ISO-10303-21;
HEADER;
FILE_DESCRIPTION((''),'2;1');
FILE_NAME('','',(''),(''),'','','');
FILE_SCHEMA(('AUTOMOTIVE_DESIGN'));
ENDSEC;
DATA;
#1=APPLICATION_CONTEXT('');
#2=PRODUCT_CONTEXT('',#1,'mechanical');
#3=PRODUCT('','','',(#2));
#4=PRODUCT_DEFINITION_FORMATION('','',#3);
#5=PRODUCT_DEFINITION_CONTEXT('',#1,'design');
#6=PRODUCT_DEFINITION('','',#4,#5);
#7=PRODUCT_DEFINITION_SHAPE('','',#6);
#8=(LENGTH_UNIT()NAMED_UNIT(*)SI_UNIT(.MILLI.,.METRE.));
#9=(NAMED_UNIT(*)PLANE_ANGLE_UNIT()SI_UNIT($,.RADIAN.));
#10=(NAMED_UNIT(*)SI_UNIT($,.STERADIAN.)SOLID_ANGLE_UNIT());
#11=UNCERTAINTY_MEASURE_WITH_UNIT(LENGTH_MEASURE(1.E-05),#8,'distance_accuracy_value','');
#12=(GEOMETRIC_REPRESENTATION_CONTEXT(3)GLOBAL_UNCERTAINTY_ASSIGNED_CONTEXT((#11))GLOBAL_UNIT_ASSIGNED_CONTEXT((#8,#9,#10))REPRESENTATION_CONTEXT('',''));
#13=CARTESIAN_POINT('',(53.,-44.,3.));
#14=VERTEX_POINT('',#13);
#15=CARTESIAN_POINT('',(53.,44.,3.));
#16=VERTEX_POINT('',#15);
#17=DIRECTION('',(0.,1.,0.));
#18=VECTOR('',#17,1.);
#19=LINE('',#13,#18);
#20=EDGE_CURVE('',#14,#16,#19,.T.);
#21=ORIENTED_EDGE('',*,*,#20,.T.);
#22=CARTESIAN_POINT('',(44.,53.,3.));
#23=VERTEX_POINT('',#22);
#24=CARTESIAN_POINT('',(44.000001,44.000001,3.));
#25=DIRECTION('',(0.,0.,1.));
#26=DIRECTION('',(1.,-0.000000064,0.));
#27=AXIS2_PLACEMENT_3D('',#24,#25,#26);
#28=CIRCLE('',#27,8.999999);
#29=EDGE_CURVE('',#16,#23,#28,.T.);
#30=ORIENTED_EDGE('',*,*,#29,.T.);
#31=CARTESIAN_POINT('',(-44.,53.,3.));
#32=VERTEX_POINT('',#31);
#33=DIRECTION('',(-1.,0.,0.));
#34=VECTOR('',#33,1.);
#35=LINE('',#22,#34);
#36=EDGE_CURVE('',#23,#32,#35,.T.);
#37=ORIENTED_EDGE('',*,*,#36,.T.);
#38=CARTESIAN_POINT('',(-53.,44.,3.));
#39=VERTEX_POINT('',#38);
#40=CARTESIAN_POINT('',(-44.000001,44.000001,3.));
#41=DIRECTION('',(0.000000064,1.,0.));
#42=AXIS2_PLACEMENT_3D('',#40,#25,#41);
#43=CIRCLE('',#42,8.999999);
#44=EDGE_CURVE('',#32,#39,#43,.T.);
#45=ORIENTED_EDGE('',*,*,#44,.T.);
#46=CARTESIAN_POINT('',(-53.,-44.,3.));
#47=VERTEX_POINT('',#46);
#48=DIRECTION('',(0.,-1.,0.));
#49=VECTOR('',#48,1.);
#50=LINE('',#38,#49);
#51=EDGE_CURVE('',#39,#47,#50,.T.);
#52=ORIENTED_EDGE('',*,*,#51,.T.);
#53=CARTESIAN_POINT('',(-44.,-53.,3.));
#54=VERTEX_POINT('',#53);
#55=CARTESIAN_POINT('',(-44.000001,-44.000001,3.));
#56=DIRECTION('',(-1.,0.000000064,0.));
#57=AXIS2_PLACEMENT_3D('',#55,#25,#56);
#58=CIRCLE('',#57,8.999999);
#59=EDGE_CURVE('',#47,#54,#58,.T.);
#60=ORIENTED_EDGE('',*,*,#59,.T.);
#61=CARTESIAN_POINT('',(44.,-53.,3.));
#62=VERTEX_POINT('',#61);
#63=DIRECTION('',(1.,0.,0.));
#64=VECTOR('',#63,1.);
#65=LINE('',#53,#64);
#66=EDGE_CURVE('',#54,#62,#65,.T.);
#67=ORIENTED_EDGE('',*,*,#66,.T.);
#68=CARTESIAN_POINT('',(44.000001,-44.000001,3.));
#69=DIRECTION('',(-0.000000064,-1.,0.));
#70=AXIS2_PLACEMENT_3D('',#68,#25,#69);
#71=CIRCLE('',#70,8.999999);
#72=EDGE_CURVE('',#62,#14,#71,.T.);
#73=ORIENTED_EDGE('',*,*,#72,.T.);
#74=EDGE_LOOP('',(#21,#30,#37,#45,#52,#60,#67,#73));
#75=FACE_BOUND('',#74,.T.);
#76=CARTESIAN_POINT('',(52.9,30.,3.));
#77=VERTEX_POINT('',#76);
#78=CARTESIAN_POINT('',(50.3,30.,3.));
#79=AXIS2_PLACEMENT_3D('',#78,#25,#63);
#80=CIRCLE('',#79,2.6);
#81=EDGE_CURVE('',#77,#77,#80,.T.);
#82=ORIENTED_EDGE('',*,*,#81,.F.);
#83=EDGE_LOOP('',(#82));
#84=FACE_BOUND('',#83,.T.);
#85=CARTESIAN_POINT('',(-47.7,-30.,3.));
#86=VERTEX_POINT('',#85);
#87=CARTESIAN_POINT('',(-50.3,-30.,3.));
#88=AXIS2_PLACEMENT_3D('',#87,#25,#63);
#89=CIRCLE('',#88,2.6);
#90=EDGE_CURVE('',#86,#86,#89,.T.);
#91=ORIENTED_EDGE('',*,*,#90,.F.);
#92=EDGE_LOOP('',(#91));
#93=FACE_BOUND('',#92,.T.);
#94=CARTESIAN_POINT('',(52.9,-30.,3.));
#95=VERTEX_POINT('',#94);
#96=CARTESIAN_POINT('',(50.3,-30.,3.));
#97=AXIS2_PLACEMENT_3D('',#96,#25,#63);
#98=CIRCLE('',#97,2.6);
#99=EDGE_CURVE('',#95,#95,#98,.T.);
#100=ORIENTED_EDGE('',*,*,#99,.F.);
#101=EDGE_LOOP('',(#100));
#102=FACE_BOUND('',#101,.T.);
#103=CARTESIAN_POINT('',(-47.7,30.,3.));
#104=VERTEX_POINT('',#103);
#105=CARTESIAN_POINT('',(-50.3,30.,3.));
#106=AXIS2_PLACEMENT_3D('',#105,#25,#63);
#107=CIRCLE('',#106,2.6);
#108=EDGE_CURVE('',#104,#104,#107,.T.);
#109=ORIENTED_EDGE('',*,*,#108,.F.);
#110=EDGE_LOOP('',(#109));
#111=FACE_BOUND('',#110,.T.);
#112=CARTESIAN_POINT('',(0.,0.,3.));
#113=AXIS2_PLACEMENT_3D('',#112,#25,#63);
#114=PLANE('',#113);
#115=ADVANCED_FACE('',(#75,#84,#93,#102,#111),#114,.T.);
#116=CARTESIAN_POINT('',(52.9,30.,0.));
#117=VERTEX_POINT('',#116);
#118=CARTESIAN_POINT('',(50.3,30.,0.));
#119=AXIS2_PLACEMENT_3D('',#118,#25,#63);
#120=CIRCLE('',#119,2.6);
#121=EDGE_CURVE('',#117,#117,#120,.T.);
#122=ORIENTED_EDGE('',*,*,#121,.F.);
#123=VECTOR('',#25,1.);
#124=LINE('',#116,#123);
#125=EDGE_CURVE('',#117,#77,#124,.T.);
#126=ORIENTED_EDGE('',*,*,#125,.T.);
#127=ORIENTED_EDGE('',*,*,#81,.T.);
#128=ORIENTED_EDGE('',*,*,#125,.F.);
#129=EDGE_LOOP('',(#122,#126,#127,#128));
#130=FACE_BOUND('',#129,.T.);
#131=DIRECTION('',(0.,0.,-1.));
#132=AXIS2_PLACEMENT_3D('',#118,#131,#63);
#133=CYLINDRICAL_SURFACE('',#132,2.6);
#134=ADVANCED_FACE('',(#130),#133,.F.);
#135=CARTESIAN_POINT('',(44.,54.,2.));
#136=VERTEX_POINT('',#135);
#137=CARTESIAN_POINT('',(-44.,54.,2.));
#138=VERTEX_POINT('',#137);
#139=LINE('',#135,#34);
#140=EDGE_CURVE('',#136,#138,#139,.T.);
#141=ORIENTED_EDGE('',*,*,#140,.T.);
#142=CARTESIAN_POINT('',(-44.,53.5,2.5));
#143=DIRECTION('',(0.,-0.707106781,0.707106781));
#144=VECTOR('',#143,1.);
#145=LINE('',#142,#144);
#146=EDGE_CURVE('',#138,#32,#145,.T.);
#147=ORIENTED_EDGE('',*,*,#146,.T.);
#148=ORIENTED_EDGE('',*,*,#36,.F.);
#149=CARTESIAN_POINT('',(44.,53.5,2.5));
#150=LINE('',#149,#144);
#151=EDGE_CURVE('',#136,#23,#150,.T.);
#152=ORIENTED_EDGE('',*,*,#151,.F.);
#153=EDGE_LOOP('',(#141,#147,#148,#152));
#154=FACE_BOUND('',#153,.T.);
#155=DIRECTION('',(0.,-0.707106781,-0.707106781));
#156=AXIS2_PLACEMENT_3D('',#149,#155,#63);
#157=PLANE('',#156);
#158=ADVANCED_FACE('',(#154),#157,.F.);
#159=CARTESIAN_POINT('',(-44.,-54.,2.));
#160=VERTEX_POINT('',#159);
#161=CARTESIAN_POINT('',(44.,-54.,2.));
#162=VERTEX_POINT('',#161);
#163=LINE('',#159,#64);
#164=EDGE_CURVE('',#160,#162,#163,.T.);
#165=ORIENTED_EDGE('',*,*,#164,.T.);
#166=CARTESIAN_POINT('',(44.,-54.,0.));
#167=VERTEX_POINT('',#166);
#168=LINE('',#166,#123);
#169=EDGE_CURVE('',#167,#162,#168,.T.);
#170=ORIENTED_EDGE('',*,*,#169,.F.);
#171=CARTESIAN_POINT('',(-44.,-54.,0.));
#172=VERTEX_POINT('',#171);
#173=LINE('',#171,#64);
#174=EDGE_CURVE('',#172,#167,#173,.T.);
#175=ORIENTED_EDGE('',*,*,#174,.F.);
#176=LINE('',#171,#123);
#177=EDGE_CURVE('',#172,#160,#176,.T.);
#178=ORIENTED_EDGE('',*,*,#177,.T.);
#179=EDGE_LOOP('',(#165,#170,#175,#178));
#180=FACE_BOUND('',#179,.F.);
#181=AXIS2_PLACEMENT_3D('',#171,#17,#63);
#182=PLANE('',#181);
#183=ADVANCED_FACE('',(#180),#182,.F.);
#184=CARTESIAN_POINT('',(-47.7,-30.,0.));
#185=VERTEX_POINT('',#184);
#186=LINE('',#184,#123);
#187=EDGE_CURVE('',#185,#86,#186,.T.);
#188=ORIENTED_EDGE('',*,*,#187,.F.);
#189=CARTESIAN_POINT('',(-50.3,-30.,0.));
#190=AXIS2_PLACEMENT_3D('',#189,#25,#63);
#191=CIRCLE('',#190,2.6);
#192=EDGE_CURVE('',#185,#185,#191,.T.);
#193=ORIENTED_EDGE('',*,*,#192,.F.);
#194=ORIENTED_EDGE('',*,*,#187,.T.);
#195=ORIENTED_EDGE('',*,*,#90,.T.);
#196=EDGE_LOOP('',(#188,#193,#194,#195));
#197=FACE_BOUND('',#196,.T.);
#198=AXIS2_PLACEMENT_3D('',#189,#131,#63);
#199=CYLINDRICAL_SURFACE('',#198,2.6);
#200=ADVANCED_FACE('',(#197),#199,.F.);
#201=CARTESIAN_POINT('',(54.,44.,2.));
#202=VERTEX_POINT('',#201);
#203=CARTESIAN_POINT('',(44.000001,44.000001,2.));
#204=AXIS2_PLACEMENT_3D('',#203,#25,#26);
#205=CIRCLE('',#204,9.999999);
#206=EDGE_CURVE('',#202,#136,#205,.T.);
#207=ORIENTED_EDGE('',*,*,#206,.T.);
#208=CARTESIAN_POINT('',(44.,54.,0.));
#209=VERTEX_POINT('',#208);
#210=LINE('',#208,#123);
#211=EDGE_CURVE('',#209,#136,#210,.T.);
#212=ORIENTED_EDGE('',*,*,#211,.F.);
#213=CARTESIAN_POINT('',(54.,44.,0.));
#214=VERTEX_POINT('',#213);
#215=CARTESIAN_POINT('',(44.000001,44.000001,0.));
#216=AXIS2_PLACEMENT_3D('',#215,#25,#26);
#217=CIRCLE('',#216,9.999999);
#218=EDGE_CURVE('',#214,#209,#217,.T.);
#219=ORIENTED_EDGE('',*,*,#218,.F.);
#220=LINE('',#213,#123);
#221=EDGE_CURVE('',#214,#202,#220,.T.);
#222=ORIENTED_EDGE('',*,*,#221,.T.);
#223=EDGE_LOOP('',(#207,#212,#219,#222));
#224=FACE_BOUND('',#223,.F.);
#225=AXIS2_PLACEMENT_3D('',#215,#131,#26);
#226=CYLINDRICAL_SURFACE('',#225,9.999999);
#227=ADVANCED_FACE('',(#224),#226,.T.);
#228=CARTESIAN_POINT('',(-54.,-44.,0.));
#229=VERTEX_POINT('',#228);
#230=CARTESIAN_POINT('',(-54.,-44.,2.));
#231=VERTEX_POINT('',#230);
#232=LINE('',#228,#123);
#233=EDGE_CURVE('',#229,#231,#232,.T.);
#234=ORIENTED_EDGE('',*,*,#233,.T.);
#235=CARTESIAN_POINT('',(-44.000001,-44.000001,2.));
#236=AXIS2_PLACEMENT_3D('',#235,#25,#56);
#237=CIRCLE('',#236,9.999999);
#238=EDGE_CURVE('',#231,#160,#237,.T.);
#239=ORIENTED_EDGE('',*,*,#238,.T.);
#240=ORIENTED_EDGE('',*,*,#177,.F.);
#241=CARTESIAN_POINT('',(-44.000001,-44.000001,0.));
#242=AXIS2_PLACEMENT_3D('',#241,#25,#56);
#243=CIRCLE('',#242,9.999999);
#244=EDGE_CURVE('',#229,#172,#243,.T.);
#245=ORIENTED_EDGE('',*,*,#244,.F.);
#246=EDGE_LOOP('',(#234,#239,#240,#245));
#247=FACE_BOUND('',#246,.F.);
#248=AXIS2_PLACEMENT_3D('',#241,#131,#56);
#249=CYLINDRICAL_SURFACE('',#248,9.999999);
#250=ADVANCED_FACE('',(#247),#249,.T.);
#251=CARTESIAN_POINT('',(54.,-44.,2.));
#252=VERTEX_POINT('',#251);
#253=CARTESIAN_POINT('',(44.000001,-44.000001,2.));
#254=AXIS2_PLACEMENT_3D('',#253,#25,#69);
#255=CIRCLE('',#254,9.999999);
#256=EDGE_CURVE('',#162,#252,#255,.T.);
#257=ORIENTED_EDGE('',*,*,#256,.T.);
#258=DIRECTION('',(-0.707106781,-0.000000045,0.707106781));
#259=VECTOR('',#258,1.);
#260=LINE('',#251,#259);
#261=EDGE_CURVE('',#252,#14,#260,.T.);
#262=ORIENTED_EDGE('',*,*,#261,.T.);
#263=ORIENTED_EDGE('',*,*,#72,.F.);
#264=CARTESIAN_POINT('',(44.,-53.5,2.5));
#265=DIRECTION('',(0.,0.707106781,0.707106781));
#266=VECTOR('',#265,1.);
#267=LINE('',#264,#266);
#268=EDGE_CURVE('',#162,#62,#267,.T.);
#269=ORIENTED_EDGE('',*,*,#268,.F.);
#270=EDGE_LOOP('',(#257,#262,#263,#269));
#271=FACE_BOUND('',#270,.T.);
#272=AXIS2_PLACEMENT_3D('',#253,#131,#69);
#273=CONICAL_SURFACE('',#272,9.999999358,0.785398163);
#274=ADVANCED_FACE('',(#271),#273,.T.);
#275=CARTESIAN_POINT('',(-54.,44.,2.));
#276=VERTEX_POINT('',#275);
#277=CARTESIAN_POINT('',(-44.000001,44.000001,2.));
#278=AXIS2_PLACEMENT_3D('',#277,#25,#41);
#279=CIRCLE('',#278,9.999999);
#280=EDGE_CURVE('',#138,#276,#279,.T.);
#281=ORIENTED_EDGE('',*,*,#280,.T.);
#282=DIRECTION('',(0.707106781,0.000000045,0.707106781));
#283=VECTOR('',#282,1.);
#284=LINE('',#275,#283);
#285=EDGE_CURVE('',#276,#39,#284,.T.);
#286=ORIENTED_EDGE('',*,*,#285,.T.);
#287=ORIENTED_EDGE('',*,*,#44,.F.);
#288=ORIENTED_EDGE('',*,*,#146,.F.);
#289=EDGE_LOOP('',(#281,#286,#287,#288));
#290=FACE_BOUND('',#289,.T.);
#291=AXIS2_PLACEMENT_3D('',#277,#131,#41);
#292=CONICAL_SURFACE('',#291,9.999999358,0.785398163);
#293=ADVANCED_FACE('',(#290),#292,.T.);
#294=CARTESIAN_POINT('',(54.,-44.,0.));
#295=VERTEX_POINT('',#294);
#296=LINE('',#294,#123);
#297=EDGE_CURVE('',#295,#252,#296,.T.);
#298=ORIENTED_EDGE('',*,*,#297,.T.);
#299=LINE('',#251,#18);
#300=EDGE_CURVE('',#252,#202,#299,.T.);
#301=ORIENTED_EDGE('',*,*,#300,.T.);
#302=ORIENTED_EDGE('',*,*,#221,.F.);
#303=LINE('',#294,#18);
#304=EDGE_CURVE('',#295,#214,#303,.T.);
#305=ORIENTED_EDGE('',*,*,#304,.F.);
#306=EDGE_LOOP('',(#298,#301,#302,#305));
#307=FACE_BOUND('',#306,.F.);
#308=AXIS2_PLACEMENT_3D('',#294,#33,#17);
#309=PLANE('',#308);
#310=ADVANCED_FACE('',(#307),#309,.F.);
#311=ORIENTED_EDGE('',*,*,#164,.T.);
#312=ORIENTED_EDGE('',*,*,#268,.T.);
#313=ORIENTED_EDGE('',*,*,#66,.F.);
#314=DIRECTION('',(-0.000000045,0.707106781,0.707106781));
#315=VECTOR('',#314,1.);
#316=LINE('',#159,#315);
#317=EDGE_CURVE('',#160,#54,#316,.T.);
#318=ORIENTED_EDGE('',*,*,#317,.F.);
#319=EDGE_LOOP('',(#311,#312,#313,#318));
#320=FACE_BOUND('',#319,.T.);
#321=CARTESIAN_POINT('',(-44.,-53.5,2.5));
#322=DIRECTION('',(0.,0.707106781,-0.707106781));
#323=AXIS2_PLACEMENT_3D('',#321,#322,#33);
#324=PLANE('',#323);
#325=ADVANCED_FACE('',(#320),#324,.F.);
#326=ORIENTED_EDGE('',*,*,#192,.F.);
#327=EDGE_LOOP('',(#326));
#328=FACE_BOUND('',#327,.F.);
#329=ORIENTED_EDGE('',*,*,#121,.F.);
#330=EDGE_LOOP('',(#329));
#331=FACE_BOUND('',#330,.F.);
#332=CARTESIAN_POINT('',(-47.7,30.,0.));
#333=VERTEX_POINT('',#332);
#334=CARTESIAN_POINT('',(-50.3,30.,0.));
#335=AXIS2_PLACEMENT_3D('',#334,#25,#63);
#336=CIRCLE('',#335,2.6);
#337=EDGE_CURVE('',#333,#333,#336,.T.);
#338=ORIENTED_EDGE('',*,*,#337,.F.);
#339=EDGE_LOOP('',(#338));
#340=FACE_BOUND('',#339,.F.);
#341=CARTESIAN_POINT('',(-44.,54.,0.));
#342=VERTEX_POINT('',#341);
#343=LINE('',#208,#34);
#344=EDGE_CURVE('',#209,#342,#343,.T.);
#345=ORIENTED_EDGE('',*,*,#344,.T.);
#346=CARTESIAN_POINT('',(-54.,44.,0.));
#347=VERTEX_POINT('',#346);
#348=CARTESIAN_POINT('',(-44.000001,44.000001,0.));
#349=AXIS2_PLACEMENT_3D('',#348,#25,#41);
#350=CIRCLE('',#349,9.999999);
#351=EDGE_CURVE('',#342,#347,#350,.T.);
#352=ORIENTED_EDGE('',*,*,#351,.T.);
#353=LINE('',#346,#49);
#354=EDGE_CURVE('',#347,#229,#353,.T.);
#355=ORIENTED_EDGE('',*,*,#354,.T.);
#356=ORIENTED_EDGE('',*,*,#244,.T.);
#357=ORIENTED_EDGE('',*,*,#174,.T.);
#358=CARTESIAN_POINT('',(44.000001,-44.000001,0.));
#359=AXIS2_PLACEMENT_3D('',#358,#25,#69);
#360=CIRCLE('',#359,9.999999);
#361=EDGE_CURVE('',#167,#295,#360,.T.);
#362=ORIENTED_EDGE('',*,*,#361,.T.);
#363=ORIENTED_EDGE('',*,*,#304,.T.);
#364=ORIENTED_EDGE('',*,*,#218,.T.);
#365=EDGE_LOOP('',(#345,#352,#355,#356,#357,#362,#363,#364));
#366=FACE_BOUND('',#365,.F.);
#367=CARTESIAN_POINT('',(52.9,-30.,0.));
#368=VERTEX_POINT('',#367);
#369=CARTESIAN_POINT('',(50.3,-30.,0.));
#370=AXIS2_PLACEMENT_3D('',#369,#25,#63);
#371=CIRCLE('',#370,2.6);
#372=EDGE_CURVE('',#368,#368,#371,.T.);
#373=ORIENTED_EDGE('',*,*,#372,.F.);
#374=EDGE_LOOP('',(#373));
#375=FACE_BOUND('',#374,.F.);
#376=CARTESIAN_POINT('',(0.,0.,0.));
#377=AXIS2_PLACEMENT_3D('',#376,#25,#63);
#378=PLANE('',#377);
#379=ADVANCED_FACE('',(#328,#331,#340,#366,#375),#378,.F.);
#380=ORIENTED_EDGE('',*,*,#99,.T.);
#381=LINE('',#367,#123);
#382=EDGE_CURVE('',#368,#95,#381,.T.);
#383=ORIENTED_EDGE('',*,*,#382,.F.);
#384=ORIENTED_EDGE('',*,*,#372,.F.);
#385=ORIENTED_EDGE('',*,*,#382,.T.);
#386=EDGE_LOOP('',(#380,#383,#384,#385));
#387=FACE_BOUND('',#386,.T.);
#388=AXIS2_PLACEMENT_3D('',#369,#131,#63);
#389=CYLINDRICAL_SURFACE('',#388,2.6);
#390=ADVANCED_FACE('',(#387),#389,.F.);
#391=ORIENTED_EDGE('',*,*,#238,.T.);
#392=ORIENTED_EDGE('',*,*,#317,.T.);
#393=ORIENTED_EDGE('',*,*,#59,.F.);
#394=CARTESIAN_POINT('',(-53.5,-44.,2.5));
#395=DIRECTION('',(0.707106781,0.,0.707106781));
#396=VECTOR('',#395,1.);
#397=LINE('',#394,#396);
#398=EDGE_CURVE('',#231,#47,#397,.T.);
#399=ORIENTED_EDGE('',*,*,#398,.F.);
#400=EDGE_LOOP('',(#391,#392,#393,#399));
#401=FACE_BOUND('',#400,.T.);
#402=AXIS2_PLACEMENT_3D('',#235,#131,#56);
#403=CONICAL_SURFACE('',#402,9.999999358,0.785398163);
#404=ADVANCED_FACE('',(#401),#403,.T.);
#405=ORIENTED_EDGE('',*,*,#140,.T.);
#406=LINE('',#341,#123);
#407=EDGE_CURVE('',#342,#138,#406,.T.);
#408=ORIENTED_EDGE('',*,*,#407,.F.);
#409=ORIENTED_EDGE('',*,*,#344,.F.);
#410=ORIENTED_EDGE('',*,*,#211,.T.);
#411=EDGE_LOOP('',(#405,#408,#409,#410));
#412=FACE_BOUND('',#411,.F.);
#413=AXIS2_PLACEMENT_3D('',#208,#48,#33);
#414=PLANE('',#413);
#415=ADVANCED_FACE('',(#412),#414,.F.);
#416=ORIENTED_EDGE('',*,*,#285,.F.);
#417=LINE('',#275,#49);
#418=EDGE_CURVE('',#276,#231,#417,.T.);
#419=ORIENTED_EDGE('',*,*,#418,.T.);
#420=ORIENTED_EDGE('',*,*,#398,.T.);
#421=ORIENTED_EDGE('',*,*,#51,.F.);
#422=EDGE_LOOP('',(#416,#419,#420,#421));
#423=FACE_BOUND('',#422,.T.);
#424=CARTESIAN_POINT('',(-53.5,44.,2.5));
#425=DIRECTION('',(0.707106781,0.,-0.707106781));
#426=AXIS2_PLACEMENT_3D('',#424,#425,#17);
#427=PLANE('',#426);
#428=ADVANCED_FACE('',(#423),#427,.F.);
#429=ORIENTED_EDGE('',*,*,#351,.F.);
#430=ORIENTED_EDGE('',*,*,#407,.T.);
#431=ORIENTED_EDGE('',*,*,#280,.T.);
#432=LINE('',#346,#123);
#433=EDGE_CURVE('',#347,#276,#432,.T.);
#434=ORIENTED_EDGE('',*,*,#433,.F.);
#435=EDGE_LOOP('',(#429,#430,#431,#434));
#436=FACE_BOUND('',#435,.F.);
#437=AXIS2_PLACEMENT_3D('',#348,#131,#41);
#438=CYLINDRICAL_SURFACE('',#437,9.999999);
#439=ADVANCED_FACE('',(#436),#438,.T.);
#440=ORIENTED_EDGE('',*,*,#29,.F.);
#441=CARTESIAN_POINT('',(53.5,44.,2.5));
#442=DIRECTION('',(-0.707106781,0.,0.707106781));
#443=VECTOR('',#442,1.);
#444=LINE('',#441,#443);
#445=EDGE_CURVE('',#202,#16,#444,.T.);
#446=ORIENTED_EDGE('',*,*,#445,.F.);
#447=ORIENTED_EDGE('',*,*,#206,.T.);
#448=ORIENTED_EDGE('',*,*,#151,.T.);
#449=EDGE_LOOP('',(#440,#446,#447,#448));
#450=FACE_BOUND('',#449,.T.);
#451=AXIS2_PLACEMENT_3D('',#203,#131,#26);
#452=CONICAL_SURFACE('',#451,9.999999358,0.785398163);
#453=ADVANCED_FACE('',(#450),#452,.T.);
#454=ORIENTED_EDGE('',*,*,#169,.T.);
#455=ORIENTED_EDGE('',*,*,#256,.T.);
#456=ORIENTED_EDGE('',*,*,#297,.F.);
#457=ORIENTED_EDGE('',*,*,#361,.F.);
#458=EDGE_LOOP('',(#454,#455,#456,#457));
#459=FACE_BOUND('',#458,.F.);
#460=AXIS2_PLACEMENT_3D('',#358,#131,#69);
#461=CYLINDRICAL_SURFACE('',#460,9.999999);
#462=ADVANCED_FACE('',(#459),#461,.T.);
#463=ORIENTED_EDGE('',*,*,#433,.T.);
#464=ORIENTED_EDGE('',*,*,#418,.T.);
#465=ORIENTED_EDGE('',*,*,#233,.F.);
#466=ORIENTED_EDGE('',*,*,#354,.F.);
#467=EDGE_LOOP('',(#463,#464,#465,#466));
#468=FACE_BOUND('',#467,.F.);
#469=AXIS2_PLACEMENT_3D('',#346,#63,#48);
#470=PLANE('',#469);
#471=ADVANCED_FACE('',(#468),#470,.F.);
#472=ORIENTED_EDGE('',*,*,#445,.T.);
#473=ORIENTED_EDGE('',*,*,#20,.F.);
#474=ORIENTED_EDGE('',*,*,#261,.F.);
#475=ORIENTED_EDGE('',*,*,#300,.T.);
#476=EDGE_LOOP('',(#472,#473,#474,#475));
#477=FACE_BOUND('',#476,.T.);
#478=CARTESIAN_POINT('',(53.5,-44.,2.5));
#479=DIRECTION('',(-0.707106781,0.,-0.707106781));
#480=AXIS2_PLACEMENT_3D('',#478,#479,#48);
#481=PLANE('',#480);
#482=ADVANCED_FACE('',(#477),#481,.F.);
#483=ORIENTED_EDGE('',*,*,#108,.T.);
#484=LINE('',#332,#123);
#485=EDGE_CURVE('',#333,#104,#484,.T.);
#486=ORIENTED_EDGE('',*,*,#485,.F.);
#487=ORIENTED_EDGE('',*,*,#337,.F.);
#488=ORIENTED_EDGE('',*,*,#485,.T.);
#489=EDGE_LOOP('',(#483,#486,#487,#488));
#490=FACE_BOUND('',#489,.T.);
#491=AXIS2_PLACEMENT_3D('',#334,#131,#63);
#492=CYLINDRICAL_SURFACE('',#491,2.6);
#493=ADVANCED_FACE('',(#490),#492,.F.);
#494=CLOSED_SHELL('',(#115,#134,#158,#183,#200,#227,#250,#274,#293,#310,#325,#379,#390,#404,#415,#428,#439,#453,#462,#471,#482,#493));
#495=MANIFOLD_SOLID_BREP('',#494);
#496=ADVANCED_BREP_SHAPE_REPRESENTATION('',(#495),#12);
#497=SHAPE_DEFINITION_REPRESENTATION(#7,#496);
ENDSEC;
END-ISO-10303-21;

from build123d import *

# Parameters (mm, degrees)
F0_R     = 2.6
F1_DEPTH = 3
F2_SIZE  = 1


with BuildPart() as f1:
    # F0 (on Top) → F1 (new body)
    with BuildSketch(Plane.XY):
        with BuildLine():
            Line((-44, -54), (44, -54))
            ThreePointArc((44, -54), (51.071068, -51.071068), (54, -44))
            Line((54, -44), (54, 44))
            ThreePointArc((54, 44), (51.071068, 51.071068), (44, 54))
            Line((44, 54), (-44, 54))
            ThreePointArc((-44, 54), (-51.071068, 51.071068), (-54, 44))
            Line((-54, 44), (-54, -44))
            ThreePointArc((-54, -44), (-51.071068, -51.071068), (-44, -54))
        make_face()
        with Locations((-50.3, -30)):
            Circle(F0_R, mode=Mode.SUBTRACT)
        with Locations((50.3, -30)):
            Circle(F0_R, mode=Mode.SUBTRACT)
        with Locations((-50.3, 30)):
            Circle(F0_R, mode=Mode.SUBTRACT)
        with Locations((50.3, 30)):
            Circle(F0_R, mode=Mode.SUBTRACT)
    extrude(amount=F1_DEPTH)

    # F2
    f2_edges = [f1.edges().sort_by_distance(p)[0] for p in [
        (0, 54, 3),
    ]]
    chamfer(f2_edges, length=F2_SIZE)


solid = f1.part
